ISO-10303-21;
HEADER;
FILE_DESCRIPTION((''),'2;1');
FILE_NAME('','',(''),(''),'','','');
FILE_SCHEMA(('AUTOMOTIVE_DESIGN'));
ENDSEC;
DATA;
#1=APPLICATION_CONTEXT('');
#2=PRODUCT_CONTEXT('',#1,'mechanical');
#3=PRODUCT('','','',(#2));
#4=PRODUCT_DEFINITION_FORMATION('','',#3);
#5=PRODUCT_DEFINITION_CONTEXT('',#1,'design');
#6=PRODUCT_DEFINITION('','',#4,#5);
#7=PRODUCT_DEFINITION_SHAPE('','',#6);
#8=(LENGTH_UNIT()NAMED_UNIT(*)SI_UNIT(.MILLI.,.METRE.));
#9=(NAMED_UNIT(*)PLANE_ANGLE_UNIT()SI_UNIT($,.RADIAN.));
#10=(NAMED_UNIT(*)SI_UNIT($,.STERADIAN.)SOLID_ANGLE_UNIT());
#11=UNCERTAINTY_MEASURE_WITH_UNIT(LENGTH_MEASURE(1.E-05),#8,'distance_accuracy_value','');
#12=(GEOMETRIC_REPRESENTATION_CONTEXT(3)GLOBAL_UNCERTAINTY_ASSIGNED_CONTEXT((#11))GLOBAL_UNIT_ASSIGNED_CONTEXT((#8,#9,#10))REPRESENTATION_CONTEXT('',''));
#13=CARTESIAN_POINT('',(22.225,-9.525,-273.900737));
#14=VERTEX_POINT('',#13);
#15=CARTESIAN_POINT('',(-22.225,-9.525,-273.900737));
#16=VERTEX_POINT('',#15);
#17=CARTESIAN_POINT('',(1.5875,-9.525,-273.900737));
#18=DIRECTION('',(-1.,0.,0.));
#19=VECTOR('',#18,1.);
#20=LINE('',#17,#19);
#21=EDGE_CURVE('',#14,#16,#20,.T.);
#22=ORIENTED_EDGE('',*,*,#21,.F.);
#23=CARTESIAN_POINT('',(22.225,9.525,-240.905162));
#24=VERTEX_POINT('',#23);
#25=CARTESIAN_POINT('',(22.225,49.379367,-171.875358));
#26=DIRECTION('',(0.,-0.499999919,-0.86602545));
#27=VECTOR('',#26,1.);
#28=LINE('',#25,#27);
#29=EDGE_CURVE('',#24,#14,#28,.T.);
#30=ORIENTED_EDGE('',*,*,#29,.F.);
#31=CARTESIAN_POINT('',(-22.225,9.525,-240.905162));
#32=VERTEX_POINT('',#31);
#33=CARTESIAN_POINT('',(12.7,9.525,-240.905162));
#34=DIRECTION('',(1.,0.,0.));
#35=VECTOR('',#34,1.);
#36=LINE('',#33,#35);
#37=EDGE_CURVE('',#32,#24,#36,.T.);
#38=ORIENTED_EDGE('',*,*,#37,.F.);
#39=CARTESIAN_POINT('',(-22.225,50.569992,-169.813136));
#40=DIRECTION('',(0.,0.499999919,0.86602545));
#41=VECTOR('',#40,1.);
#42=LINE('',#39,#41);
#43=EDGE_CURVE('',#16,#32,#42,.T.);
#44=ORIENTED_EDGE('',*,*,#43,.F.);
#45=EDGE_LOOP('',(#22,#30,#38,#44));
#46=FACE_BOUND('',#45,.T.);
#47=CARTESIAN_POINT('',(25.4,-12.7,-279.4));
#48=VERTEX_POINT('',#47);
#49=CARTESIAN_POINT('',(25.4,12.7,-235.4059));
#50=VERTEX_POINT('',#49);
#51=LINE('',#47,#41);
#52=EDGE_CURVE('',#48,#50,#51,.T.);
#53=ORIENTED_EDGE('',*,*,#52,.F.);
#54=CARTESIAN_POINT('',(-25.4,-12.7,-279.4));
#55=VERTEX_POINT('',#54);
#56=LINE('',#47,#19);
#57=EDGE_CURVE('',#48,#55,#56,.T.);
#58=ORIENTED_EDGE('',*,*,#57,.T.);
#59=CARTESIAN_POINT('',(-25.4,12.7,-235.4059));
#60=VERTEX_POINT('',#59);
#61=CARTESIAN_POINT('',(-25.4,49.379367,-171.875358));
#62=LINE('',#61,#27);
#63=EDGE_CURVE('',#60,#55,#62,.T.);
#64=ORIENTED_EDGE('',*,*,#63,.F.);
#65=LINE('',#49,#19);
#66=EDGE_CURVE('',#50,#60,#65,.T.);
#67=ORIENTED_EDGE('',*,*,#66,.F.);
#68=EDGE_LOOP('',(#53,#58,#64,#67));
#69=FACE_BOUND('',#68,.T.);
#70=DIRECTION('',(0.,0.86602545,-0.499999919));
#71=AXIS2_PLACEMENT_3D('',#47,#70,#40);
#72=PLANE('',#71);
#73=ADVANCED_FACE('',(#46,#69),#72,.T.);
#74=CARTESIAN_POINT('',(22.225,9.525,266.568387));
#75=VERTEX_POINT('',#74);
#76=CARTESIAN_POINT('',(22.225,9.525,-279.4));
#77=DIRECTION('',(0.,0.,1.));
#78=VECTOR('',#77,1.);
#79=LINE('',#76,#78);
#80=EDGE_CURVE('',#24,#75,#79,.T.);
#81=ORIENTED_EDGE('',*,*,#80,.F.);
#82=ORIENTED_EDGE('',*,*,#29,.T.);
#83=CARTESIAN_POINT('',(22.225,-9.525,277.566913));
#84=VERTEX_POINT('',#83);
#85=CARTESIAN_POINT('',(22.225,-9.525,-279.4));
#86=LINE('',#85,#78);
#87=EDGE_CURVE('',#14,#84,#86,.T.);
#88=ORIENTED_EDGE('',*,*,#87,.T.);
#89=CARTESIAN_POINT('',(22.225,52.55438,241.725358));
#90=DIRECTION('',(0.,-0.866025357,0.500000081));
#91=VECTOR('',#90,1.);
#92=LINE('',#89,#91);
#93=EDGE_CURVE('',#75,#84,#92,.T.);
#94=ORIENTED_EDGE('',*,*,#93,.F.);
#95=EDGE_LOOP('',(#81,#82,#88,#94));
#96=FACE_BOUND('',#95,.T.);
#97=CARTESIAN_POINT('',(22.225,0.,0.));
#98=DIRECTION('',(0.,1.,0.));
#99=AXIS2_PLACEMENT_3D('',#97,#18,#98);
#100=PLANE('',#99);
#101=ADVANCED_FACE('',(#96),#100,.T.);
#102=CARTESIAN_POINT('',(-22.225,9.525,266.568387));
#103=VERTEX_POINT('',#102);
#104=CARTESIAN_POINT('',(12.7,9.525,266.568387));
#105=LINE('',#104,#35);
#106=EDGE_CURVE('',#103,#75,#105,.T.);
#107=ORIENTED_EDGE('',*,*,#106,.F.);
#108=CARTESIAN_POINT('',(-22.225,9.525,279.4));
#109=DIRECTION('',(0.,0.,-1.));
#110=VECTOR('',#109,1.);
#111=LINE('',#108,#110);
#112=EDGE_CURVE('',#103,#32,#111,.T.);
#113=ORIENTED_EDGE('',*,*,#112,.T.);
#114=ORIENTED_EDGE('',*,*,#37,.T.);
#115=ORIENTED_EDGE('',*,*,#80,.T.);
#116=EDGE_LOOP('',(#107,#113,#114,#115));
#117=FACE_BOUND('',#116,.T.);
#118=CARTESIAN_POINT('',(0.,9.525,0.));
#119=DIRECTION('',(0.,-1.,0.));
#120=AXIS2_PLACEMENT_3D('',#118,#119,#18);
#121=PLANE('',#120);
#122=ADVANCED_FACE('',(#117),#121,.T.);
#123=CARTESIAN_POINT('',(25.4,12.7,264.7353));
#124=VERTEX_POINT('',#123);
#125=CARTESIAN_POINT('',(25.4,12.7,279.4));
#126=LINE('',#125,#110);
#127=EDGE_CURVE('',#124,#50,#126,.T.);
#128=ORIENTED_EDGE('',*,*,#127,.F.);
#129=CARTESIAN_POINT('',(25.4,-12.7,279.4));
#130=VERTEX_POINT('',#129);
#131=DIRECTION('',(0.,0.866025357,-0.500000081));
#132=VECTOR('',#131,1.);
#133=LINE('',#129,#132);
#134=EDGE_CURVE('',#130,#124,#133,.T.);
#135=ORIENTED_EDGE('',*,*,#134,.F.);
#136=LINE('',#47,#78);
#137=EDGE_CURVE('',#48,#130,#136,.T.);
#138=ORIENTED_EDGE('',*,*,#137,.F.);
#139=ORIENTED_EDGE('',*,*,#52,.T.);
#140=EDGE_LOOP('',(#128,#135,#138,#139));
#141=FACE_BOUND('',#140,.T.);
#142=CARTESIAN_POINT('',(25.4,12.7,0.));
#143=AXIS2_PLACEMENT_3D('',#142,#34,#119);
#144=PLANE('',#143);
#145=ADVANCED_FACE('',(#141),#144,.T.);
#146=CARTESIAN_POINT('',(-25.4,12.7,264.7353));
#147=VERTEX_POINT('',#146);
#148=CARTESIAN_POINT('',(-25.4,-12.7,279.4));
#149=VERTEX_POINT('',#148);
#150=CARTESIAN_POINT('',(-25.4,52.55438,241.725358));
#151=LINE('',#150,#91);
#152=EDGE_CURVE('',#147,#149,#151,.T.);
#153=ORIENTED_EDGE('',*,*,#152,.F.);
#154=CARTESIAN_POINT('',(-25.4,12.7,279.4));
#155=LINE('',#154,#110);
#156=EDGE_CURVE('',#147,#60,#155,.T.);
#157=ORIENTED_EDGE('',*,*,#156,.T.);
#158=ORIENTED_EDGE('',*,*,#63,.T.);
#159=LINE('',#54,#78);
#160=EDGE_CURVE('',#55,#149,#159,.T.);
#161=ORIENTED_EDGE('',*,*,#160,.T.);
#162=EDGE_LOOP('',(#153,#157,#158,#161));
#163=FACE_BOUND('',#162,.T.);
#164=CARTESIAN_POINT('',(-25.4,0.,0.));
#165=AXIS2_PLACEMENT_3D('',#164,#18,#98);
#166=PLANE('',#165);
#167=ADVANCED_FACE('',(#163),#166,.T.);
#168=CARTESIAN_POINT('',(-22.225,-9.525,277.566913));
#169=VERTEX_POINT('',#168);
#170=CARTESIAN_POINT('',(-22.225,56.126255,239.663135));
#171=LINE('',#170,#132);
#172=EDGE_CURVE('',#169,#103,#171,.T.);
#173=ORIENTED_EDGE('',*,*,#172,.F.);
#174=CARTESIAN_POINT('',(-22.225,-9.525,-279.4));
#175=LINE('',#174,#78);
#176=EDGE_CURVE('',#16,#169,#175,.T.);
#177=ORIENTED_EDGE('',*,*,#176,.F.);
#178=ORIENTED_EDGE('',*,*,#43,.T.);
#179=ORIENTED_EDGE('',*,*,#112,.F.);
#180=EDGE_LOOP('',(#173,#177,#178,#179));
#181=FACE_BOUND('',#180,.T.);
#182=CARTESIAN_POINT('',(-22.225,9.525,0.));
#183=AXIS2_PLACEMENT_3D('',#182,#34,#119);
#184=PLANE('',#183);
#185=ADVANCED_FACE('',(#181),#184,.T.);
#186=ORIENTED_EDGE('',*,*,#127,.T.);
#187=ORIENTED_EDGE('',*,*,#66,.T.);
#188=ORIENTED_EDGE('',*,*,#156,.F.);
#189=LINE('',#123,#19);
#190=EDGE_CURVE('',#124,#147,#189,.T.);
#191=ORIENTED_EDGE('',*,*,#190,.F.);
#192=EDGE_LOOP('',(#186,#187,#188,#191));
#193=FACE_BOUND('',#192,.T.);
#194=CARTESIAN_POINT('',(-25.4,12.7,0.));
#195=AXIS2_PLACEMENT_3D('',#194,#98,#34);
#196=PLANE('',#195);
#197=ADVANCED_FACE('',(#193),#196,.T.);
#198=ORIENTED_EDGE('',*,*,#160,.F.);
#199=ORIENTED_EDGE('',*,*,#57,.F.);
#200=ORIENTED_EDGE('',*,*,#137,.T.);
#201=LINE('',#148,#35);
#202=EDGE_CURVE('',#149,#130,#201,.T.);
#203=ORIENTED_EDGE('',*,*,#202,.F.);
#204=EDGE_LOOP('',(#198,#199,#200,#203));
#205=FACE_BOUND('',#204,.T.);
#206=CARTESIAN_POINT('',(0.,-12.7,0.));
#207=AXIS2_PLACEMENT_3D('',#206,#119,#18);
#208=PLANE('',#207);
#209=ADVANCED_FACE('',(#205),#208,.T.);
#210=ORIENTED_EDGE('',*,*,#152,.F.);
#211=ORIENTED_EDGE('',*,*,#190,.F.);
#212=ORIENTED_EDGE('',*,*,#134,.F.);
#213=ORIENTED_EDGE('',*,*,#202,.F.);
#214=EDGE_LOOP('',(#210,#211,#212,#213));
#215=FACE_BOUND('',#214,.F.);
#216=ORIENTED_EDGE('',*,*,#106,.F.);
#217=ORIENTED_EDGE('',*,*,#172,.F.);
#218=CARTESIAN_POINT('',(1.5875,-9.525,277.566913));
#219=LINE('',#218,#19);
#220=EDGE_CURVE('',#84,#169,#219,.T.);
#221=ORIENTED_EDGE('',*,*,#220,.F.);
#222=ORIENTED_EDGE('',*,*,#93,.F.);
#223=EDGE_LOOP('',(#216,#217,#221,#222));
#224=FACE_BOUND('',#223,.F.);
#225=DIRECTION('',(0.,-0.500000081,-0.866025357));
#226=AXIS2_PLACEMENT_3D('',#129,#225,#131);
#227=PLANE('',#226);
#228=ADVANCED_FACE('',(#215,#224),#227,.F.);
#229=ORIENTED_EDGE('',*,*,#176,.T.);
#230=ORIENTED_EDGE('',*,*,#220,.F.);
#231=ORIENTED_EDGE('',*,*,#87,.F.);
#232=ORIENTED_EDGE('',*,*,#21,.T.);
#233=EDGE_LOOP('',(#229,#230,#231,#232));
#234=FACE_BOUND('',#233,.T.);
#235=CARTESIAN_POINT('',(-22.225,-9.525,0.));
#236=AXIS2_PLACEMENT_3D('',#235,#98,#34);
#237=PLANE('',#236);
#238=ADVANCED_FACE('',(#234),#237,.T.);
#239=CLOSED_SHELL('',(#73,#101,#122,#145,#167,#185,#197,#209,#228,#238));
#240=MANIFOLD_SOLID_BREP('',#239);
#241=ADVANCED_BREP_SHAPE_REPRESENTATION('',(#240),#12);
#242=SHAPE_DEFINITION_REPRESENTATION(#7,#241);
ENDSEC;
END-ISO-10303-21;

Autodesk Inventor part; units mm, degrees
ref_plane "YZ Plane" through (0, 0, 0) normal (1, 0, 0) x (0, 1, 0)
ref_plane "XZ Plane" through (0, 0, 0) normal (0, 1, 0) x (-1, 0, 0)
ref_plane "XY Plane" through (0, 0, 0) normal (0, 0, 1) x (1, 0, 0)
sketch "Sketch1" plane through (0, 0, 0) normal (0, 0, 1) x (1, 0, 0)
  line L0 (-35.56, 0) -> (35.56, 0) projected
  line L1 (0, -17.78) -> (0, 17.78) projected
  line L2 (-25.4, 12.7) -> (25.4, 12.7)
  line L3 (25.4, 12.7) -> (25.4, -12.7)
  line L4 (25.4, -12.7) -> (-25.4, -12.7)
  line L5 (-25.4, -12.7) -> (-25.4, 12.7)
  line L6 (22.225, 9.525) -> (-22.225, 9.525)
  line L7 (-22.225, 9.525) -> (-22.225, -9.525)
  line L8 (-22.225, -9.525) -> (22.225, -9.525)
  line L9 (22.225, -9.525) -> (22.225, 9.525)
  point P0 (0, 0)
  point P1 (-25.4, 0)
  point P2 (0, 12.7)
  dimension "d0" = 25.4
  dimension "d1" = 3.175
  dimension "d7" = 50.8
extrude "Base" add sketch "Sketch1" along normal mid plane 558.8 contours L5 L2 L1 L6 L7 L0 | L0 L7 L8 L1 L4 L5 | L1 L8 L9 L0 L3 L4 | L2 L3 L0 L9 L6 L1
sketch "Sketch3" plane through (25.4, -12.7, 279.4) normal (1, 0, 0) x (0, 0, -1)
  line L0 (0, 25.4) -> (0, 0) projected
  line L1 (0, 25.4) -> (558.8, 25.4) projected
  line L2 (0, 0) -> (14.6647, 25.4)
  point P0 (279.4, 12.7)
  dimension "d8" = 30
extrude "Extrusion3" cut sketch "Sketch3" against normal through all
sketch "Sketch4" plane through (25.4, -12.7, -279.4) normal (1, 0, 0) x (0, 0, -1)
  line L0 (0, 0) -> (0, 25.4) projected
  line L1 (-544.1353, 25.4) -> (0, 25.4) projected
  line L2 (0, 0) -> (-43.9941, 25.4)
  point P0 (-279.4, 12.7)
  dimension "d11" = 60
extrude "Extrusion4" cut sketch "Sketch4" against normal through all
properties part number "tubing_template_0.125" material "Aluminum-6061"
